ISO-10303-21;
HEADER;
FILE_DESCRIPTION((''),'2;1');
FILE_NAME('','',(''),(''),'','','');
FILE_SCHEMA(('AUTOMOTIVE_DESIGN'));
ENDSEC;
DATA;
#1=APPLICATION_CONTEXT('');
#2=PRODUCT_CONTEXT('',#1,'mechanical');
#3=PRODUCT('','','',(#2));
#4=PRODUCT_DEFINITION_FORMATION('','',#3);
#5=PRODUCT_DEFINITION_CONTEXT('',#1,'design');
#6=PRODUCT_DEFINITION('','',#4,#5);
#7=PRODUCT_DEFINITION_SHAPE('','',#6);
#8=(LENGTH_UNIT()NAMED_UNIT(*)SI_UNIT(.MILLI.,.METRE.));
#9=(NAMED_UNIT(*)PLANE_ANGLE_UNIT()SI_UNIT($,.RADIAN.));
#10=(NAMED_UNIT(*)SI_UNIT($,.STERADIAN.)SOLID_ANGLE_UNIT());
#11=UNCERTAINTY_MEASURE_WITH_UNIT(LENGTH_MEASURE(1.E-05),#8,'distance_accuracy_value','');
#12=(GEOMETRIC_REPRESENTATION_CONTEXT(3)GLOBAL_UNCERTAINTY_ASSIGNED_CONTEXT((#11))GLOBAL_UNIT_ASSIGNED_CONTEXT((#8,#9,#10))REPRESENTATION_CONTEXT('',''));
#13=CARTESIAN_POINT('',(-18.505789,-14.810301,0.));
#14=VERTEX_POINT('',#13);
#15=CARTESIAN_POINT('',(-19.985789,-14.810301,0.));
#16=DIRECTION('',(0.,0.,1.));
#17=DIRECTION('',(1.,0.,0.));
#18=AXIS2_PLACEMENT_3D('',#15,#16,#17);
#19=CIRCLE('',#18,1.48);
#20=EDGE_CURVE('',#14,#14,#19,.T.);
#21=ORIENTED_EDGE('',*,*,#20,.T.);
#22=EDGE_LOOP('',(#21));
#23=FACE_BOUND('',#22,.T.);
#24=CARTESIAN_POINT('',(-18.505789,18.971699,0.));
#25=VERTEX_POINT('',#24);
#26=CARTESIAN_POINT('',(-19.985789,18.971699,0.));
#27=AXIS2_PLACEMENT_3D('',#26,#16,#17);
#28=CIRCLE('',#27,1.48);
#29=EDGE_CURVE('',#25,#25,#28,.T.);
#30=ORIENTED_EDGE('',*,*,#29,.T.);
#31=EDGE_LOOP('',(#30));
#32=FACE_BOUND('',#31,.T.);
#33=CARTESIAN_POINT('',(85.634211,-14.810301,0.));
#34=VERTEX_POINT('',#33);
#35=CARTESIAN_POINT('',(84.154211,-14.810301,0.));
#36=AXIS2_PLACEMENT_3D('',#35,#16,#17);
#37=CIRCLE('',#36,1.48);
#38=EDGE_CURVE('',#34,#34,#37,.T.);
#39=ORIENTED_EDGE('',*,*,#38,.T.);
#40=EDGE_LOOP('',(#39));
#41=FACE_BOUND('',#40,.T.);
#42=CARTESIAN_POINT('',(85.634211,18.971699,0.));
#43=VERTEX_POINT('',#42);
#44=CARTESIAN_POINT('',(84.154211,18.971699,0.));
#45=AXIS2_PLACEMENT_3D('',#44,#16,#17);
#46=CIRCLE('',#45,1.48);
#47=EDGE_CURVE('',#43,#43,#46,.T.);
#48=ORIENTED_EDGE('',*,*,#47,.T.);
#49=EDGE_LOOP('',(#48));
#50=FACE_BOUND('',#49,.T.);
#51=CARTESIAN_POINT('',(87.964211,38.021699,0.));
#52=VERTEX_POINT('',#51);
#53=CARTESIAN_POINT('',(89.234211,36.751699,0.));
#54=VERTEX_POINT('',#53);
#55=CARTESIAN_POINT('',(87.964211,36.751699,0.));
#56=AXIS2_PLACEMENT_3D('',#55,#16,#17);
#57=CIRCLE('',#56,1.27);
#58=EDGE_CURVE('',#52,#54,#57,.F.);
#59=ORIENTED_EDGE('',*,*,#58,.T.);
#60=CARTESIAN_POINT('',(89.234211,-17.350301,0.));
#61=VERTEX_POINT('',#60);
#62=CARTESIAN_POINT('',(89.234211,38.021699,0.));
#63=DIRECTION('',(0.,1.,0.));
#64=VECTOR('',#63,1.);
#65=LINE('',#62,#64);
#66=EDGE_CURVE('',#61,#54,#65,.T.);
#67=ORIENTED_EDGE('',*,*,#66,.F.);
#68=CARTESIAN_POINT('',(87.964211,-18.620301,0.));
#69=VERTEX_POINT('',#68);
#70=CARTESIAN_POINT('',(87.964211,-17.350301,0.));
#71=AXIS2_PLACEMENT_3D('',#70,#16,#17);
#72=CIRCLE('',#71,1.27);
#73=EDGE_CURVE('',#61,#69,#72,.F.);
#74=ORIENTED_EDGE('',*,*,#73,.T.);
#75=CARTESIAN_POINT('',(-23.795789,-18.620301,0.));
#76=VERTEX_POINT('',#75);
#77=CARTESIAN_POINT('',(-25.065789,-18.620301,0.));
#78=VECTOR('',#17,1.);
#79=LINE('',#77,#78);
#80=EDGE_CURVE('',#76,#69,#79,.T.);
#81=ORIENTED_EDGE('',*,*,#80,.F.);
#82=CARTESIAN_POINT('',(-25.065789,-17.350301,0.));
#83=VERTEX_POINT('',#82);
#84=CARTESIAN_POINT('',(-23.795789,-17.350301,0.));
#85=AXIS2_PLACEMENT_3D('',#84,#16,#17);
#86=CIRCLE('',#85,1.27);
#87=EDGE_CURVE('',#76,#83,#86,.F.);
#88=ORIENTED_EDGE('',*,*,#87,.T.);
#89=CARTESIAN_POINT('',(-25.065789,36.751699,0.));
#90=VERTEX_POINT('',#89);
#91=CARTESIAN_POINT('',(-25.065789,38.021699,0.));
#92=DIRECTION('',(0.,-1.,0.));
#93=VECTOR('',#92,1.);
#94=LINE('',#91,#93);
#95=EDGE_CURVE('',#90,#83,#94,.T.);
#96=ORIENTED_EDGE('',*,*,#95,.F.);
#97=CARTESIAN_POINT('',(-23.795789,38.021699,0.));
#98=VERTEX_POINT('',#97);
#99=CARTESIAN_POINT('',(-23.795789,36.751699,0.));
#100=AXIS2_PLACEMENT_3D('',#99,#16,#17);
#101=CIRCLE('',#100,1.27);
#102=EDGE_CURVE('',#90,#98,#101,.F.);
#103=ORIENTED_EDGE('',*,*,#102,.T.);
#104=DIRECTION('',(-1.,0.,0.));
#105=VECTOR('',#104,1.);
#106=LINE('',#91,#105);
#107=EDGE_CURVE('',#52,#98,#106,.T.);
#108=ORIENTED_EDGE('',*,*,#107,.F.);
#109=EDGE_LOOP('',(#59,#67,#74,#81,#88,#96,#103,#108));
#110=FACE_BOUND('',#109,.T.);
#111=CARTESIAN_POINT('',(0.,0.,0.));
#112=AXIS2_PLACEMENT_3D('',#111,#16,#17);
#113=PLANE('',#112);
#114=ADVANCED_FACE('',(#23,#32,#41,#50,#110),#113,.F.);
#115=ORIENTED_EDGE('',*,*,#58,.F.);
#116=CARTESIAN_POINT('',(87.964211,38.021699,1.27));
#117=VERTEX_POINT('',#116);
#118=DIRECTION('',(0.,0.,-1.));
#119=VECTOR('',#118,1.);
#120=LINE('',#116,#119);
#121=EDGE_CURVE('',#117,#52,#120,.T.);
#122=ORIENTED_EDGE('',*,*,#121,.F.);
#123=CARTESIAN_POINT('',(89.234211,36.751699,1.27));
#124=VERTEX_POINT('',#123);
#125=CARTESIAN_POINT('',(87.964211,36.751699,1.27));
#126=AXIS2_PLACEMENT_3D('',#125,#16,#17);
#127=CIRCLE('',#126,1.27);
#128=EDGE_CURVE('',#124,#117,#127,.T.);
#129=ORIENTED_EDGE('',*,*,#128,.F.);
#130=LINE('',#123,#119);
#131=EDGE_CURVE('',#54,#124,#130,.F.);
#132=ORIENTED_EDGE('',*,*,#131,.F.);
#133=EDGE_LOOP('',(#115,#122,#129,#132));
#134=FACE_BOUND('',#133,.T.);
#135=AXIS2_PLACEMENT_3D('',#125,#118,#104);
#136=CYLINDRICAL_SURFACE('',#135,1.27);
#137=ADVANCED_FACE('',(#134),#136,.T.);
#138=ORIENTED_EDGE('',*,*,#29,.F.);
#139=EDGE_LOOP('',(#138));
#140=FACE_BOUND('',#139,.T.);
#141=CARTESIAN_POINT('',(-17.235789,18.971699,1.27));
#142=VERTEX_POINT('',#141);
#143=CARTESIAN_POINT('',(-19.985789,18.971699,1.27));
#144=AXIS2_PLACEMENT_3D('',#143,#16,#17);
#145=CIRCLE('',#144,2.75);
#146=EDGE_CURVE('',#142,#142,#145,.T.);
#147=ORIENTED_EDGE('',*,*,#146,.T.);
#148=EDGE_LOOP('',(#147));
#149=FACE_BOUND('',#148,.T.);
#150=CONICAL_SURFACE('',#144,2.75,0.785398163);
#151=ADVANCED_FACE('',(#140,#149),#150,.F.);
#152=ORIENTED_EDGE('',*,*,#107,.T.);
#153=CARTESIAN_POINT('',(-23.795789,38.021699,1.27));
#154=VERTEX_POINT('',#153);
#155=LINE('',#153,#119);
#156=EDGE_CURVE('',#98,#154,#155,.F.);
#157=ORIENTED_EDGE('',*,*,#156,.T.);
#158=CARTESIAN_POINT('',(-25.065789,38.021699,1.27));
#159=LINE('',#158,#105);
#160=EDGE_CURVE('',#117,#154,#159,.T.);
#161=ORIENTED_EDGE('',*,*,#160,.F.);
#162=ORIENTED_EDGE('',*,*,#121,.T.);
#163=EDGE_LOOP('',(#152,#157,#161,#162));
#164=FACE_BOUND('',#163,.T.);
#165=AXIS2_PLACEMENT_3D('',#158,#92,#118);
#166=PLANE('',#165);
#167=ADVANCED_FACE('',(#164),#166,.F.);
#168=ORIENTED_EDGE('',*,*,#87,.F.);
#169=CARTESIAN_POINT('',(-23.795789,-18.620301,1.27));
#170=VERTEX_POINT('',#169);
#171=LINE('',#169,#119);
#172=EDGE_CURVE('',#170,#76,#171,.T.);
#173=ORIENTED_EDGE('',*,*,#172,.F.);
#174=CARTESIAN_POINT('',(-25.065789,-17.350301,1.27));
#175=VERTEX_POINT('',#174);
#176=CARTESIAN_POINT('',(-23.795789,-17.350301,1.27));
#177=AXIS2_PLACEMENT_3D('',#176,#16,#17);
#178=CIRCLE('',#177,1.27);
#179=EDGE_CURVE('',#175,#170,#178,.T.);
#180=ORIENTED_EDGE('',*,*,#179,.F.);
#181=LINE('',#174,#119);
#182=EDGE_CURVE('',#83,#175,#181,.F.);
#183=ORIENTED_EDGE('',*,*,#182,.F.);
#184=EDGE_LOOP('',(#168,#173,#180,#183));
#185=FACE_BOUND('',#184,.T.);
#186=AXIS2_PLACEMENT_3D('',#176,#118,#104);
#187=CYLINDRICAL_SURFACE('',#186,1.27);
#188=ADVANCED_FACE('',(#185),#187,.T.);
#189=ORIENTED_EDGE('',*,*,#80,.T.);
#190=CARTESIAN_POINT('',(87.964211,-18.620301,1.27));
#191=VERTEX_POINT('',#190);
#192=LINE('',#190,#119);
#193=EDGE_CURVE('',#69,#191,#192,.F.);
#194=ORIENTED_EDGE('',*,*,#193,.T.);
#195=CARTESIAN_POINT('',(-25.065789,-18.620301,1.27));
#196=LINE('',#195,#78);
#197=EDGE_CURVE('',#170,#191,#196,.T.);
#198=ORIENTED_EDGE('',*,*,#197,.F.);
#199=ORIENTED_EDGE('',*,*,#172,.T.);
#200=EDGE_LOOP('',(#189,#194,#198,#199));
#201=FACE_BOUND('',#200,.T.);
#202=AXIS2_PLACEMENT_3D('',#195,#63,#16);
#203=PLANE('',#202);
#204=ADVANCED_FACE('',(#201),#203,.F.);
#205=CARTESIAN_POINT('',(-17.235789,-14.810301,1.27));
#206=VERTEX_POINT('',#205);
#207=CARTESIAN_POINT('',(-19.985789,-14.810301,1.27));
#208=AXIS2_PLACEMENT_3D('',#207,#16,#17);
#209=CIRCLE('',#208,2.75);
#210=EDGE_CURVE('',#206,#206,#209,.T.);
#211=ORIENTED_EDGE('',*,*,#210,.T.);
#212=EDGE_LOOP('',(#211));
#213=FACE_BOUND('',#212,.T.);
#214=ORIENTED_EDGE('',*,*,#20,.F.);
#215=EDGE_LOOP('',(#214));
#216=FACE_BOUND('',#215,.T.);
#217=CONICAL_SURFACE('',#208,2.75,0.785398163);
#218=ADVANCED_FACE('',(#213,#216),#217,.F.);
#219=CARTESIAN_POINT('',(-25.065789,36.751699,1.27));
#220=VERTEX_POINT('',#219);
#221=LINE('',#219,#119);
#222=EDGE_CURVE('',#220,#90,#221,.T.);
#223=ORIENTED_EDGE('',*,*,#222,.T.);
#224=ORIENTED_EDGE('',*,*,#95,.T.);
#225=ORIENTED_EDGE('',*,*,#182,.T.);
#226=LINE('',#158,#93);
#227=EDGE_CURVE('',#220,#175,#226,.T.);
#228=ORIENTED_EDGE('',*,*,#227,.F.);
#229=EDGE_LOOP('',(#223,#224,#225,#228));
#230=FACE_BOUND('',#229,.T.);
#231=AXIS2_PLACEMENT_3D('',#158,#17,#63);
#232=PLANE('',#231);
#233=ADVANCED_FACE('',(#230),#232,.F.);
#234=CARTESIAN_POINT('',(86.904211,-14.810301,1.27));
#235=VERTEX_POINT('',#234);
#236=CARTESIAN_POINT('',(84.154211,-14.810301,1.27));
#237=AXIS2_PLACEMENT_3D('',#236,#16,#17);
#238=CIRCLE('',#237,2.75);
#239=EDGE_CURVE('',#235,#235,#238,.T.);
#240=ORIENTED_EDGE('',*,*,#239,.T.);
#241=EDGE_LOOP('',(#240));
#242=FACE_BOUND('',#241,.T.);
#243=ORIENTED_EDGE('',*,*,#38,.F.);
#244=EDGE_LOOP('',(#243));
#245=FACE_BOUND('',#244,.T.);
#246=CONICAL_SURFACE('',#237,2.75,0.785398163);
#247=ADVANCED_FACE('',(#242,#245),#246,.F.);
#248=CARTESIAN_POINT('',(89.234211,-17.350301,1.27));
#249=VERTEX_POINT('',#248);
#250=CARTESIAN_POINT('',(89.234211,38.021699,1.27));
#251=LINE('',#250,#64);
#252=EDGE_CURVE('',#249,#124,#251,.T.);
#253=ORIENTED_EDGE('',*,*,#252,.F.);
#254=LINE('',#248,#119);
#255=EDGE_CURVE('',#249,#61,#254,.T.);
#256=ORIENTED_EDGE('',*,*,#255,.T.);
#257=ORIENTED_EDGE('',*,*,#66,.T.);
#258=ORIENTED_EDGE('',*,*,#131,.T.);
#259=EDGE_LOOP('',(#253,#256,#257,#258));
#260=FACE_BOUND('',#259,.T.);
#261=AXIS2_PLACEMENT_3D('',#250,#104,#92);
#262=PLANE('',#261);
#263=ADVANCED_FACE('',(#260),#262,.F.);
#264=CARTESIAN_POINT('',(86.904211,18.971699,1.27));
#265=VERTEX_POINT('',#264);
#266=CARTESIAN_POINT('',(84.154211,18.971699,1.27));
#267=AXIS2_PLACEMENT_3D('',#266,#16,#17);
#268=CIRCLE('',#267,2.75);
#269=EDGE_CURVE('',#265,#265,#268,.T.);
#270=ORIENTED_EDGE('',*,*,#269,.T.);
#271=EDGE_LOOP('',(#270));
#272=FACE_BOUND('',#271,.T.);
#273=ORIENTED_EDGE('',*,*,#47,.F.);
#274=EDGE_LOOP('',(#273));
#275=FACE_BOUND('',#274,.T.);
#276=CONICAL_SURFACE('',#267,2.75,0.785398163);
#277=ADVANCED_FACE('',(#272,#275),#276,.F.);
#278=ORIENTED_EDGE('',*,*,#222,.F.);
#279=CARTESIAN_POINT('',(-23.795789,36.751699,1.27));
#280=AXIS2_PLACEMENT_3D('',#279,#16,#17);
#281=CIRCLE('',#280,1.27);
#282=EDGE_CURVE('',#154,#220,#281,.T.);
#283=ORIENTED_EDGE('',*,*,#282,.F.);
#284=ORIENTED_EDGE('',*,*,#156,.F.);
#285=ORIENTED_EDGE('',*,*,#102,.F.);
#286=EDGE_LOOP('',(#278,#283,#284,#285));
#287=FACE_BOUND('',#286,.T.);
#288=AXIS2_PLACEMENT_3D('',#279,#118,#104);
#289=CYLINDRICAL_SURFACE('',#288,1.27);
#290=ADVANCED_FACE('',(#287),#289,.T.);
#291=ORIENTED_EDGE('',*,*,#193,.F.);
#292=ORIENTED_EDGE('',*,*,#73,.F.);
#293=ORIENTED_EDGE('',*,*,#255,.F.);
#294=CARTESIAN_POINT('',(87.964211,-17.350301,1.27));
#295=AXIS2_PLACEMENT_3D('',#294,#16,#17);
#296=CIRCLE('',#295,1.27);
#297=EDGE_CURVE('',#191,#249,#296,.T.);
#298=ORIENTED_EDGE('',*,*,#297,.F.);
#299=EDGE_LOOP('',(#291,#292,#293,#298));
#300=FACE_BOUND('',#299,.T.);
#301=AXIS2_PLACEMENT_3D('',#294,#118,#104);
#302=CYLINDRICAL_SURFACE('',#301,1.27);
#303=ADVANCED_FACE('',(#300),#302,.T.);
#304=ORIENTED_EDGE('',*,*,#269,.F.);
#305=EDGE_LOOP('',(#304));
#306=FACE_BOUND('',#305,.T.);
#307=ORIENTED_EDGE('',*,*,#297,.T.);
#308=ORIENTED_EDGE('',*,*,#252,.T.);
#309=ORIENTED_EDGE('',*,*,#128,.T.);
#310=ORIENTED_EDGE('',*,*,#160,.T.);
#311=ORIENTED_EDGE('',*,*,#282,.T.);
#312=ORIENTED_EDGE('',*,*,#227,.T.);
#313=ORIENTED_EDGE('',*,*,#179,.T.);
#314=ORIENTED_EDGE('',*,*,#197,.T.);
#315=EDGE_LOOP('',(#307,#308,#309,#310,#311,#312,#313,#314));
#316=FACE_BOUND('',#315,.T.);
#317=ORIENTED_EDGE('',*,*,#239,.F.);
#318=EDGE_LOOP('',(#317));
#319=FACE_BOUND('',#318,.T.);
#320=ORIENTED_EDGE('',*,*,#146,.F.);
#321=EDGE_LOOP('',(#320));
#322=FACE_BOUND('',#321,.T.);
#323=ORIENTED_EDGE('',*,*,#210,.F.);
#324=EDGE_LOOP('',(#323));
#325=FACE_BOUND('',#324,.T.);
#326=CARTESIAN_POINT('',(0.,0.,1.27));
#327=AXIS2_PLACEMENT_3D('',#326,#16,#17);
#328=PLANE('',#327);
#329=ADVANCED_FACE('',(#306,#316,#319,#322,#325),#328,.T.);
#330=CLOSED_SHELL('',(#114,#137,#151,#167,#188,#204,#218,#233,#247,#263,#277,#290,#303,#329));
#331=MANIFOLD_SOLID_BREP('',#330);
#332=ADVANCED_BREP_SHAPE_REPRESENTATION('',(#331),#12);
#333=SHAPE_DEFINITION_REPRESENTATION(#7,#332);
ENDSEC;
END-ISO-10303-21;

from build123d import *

# Parameters (mm, degrees)
SKETCH2_W                                    = 114.3
SKETCH2_H                                    = 56.642
BOSS_EXTRUDE1_DEPTH                          = 1.27
CSK_FOR_M2_5_COUNTERSUNK_FLAT_HEAD_S_2_COUNT = 2
CSK_FOR_M2_5_COUNTERSUNK_FLAT_HEAD_S_2_PITCH = 33.782
CSK_FOR_M2_5_COUNTERSUNK_FLAT_HEAD_S_3_COUNT = 2
CSK_FOR_M2_5_COUNTERSUNK_FLAT_HEAD_S_3_PITCH = 109.482250269
CSK_FOR_M2_5_COUNTERSUNK_FLAT_HEAD_S_4_COUNT = 2
CSK_FOR_M2_5_COUNTERSUNK_FLAT_HEAD_S_4_PITCH = 104.14
FILLET1_R                                    = 1.27


with BuildPart() as part:
    # Sketch2 → Boss-Extrude1 (new body)
    with BuildSketch(Plane.XY):
        with Locations((32.084210526, 9.700699248)):
            Rectangle(SKETCH2_W, SKETCH2_H)
    extrude(amount=BOSS_EXTRUDE1_DEPTH)

    # Sketch6 → CSK for M2.5 Countersunk Flat Head Screw1 (revolve, cut)
    with BuildSketch(Plane(origin=(-19.985789474, 18.971699248, 1.27), x_dir=(0, -1, 0), z_dir=(1, 0, 0))):
        Polygon((0, 0), (0, 1.27), (1.45, 1.27), (1.45, 1.3), (2.75, 0), align=None)
    csk_for_m2_5_countersunk_flat_head_screw = revolve(axis=Axis((-19.985789474, 18.971699248, 7.62), (0, 0, -1)), mode=Mode.SUBTRACT)

    # CSK for M2.5 Countersunk Flat Head S 2: CSK for M2.5 Countersunk Flat Head Screw1 ×2
    with Locations(*[(0, -i * CSK_FOR_M2_5_COUNTERSUNK_FLAT_HEAD_S_2_PITCH, 0) for i in range(1, CSK_FOR_M2_5_COUNTERSUNK_FLAT_HEAD_S_2_COUNT)]):
        add(csk_for_m2_5_countersunk_flat_head_screw, mode=Mode.SUBTRACT)

    # CSK for M2.5 Countersunk Flat Head S 3: CSK for M2.5 Countersunk Flat Head Screw1 ×2
    with Locations(*[Vector(0.9512044166426011, -0.3085614327157706, 0) * (i * CSK_FOR_M2_5_COUNTERSUNK_FLAT_HEAD_S_3_PITCH) for i in range(1, CSK_FOR_M2_5_COUNTERSUNK_FLAT_HEAD_S_3_COUNT)]):
        add(csk_for_m2_5_countersunk_flat_head_screw, mode=Mode.SUBTRACT)

    # CSK for M2.5 Countersunk Flat Head S 4: CSK for M2.5 Countersunk Flat Head Screw1 ×2
    with Locations(*[(i * CSK_FOR_M2_5_COUNTERSUNK_FLAT_HEAD_S_4_PITCH, 0, 0) for i in range(1, CSK_FOR_M2_5_COUNTERSUNK_FLAT_HEAD_S_4_COUNT)]):
        add(csk_for_m2_5_countersunk_flat_head_screw, mode=Mode.SUBTRACT)

    # Fillet1
    fillet1_edges = [part.edges().sort_by_distance(p)[0] for p in [
        (-25.065789474, 38.021699248, 0.635),
        (89.234210526, 38.021699248, 0.635),
        (89.234210526, -18.620300752, 0.635),
        (-25.065789474, -18.620300752, 0.635),
    ]]
    fillet(fillet1_edges, radius=FILLET1_R)


solid = part.part
